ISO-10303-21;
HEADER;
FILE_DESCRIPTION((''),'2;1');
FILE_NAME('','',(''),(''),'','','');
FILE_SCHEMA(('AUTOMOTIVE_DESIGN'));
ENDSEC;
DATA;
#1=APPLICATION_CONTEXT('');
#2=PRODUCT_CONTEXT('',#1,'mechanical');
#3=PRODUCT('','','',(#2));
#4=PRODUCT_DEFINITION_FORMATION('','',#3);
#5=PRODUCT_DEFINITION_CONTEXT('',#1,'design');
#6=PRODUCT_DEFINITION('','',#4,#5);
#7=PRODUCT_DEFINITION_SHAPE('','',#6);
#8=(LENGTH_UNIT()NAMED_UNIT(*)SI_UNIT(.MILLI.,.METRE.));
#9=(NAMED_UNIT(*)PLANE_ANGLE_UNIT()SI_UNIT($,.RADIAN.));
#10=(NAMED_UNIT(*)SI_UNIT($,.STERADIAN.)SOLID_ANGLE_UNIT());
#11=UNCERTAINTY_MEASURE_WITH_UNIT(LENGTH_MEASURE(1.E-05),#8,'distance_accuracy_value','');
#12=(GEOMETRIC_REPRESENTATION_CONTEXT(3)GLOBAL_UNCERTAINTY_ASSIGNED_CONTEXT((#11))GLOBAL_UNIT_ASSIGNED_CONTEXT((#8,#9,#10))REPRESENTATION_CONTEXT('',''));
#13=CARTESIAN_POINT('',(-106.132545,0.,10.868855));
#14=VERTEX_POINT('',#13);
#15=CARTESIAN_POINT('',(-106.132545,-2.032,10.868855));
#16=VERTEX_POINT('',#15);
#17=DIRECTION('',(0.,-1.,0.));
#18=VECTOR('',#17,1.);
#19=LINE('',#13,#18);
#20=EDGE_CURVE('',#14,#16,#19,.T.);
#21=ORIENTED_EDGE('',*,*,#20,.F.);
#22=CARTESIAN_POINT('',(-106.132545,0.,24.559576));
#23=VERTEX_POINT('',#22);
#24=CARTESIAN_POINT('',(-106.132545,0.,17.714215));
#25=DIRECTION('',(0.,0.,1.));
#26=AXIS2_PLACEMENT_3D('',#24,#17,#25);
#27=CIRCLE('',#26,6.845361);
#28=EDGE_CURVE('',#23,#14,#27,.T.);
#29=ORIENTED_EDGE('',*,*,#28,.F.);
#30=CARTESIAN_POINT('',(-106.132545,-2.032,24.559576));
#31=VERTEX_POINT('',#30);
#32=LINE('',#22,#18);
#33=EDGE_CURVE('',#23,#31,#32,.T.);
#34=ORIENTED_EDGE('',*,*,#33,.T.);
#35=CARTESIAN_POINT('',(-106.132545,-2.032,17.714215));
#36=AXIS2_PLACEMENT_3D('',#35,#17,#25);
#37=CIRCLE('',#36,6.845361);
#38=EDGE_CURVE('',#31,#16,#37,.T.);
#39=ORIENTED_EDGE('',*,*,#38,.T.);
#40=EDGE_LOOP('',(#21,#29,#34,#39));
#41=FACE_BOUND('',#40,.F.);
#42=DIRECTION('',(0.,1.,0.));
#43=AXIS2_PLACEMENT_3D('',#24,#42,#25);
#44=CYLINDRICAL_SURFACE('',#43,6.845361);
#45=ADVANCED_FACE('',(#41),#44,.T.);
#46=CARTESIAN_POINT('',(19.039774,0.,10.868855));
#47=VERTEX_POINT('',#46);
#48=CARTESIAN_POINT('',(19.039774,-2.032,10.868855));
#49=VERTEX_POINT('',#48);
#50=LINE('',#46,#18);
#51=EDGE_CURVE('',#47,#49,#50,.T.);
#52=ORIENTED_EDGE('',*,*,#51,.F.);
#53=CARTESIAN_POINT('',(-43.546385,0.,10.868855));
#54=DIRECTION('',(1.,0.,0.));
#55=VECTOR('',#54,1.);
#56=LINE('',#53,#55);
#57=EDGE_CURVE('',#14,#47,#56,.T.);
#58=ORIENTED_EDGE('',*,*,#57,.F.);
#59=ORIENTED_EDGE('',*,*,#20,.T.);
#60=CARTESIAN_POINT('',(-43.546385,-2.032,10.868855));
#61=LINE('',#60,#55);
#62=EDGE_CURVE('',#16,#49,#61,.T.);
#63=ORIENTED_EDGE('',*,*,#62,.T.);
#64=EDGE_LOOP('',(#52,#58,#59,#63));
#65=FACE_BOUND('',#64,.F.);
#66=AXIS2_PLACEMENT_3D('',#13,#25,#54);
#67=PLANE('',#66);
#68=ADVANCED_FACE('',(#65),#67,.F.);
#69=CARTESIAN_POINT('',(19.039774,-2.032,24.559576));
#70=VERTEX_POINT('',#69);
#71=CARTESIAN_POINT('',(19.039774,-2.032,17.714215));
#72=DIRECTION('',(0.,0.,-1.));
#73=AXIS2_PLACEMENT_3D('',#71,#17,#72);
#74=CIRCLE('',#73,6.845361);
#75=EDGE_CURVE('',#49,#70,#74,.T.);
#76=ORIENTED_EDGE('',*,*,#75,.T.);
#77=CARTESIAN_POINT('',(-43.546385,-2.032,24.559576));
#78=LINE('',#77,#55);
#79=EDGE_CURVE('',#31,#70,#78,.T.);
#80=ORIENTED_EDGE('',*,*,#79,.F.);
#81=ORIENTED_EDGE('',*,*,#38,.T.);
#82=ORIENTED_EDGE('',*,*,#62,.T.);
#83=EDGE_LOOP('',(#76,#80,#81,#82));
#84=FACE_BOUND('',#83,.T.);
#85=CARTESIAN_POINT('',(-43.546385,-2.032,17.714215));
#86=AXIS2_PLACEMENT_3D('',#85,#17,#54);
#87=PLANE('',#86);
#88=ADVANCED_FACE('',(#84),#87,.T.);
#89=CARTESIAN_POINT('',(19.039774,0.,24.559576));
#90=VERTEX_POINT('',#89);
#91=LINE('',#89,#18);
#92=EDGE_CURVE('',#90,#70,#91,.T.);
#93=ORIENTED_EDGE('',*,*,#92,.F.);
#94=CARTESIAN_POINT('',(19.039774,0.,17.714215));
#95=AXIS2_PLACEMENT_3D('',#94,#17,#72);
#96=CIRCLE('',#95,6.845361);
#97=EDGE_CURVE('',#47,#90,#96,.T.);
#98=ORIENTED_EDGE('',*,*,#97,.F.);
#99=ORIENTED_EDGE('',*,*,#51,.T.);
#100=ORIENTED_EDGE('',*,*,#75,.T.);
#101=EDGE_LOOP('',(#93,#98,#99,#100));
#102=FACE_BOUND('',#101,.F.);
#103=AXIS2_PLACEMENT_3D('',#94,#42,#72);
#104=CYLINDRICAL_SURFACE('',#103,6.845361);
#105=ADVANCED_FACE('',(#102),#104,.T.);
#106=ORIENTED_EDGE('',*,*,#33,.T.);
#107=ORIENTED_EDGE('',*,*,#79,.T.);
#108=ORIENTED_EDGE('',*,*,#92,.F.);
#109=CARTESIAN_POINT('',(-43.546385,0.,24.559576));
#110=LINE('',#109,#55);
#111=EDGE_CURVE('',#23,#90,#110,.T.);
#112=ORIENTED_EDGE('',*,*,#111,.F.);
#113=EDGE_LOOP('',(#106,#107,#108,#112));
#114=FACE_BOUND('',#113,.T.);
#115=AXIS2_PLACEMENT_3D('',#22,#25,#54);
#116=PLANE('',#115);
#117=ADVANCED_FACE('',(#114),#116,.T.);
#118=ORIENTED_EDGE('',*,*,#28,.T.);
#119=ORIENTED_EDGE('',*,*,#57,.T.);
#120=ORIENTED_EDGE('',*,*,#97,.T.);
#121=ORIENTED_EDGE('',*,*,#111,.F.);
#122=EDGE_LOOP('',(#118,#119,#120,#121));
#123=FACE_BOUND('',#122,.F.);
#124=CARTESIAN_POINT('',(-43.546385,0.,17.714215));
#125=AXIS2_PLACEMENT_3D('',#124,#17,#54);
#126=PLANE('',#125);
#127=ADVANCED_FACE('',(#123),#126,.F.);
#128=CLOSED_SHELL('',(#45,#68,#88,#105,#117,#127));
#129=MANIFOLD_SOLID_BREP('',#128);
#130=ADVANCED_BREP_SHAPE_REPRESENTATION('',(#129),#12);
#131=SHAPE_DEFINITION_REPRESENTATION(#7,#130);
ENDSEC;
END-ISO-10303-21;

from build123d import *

# Parameters (mm, degrees)
F0_W     = 125.1723188907
F0_H     = 13.6907212436
F1_DEPTH = 2.032


with BuildPart() as f1:
    # F0 (on Front) → F1 (new body)
    with BuildSketch(Plane.XZ):
        with Locations((-43.5463851318, 17.7142154425)):
            Rectangle(F0_W, F0_H)
        with BuildLine():
            Line((-106.1325445771, 10.8688548207), (-106.1325445771, 24.5595760643))
            ThreePointArc((-106.1325445771, 24.5595760643), (-112.9779051989, 17.7142154425), (-106.1325445771, 10.8688548207))
        make_face()
        with BuildLine():
            ThreePointArc((19.0397743136, 10.8688548207), (25.8851349354, 17.7142154425), (19.0397743136, 24.5595760643))
            Line((19.0397743136, 24.5595760643), (19.0397743136, 10.8688548207))
        make_face()
    extrude(amount=F1_DEPTH)


solid = f1.part
